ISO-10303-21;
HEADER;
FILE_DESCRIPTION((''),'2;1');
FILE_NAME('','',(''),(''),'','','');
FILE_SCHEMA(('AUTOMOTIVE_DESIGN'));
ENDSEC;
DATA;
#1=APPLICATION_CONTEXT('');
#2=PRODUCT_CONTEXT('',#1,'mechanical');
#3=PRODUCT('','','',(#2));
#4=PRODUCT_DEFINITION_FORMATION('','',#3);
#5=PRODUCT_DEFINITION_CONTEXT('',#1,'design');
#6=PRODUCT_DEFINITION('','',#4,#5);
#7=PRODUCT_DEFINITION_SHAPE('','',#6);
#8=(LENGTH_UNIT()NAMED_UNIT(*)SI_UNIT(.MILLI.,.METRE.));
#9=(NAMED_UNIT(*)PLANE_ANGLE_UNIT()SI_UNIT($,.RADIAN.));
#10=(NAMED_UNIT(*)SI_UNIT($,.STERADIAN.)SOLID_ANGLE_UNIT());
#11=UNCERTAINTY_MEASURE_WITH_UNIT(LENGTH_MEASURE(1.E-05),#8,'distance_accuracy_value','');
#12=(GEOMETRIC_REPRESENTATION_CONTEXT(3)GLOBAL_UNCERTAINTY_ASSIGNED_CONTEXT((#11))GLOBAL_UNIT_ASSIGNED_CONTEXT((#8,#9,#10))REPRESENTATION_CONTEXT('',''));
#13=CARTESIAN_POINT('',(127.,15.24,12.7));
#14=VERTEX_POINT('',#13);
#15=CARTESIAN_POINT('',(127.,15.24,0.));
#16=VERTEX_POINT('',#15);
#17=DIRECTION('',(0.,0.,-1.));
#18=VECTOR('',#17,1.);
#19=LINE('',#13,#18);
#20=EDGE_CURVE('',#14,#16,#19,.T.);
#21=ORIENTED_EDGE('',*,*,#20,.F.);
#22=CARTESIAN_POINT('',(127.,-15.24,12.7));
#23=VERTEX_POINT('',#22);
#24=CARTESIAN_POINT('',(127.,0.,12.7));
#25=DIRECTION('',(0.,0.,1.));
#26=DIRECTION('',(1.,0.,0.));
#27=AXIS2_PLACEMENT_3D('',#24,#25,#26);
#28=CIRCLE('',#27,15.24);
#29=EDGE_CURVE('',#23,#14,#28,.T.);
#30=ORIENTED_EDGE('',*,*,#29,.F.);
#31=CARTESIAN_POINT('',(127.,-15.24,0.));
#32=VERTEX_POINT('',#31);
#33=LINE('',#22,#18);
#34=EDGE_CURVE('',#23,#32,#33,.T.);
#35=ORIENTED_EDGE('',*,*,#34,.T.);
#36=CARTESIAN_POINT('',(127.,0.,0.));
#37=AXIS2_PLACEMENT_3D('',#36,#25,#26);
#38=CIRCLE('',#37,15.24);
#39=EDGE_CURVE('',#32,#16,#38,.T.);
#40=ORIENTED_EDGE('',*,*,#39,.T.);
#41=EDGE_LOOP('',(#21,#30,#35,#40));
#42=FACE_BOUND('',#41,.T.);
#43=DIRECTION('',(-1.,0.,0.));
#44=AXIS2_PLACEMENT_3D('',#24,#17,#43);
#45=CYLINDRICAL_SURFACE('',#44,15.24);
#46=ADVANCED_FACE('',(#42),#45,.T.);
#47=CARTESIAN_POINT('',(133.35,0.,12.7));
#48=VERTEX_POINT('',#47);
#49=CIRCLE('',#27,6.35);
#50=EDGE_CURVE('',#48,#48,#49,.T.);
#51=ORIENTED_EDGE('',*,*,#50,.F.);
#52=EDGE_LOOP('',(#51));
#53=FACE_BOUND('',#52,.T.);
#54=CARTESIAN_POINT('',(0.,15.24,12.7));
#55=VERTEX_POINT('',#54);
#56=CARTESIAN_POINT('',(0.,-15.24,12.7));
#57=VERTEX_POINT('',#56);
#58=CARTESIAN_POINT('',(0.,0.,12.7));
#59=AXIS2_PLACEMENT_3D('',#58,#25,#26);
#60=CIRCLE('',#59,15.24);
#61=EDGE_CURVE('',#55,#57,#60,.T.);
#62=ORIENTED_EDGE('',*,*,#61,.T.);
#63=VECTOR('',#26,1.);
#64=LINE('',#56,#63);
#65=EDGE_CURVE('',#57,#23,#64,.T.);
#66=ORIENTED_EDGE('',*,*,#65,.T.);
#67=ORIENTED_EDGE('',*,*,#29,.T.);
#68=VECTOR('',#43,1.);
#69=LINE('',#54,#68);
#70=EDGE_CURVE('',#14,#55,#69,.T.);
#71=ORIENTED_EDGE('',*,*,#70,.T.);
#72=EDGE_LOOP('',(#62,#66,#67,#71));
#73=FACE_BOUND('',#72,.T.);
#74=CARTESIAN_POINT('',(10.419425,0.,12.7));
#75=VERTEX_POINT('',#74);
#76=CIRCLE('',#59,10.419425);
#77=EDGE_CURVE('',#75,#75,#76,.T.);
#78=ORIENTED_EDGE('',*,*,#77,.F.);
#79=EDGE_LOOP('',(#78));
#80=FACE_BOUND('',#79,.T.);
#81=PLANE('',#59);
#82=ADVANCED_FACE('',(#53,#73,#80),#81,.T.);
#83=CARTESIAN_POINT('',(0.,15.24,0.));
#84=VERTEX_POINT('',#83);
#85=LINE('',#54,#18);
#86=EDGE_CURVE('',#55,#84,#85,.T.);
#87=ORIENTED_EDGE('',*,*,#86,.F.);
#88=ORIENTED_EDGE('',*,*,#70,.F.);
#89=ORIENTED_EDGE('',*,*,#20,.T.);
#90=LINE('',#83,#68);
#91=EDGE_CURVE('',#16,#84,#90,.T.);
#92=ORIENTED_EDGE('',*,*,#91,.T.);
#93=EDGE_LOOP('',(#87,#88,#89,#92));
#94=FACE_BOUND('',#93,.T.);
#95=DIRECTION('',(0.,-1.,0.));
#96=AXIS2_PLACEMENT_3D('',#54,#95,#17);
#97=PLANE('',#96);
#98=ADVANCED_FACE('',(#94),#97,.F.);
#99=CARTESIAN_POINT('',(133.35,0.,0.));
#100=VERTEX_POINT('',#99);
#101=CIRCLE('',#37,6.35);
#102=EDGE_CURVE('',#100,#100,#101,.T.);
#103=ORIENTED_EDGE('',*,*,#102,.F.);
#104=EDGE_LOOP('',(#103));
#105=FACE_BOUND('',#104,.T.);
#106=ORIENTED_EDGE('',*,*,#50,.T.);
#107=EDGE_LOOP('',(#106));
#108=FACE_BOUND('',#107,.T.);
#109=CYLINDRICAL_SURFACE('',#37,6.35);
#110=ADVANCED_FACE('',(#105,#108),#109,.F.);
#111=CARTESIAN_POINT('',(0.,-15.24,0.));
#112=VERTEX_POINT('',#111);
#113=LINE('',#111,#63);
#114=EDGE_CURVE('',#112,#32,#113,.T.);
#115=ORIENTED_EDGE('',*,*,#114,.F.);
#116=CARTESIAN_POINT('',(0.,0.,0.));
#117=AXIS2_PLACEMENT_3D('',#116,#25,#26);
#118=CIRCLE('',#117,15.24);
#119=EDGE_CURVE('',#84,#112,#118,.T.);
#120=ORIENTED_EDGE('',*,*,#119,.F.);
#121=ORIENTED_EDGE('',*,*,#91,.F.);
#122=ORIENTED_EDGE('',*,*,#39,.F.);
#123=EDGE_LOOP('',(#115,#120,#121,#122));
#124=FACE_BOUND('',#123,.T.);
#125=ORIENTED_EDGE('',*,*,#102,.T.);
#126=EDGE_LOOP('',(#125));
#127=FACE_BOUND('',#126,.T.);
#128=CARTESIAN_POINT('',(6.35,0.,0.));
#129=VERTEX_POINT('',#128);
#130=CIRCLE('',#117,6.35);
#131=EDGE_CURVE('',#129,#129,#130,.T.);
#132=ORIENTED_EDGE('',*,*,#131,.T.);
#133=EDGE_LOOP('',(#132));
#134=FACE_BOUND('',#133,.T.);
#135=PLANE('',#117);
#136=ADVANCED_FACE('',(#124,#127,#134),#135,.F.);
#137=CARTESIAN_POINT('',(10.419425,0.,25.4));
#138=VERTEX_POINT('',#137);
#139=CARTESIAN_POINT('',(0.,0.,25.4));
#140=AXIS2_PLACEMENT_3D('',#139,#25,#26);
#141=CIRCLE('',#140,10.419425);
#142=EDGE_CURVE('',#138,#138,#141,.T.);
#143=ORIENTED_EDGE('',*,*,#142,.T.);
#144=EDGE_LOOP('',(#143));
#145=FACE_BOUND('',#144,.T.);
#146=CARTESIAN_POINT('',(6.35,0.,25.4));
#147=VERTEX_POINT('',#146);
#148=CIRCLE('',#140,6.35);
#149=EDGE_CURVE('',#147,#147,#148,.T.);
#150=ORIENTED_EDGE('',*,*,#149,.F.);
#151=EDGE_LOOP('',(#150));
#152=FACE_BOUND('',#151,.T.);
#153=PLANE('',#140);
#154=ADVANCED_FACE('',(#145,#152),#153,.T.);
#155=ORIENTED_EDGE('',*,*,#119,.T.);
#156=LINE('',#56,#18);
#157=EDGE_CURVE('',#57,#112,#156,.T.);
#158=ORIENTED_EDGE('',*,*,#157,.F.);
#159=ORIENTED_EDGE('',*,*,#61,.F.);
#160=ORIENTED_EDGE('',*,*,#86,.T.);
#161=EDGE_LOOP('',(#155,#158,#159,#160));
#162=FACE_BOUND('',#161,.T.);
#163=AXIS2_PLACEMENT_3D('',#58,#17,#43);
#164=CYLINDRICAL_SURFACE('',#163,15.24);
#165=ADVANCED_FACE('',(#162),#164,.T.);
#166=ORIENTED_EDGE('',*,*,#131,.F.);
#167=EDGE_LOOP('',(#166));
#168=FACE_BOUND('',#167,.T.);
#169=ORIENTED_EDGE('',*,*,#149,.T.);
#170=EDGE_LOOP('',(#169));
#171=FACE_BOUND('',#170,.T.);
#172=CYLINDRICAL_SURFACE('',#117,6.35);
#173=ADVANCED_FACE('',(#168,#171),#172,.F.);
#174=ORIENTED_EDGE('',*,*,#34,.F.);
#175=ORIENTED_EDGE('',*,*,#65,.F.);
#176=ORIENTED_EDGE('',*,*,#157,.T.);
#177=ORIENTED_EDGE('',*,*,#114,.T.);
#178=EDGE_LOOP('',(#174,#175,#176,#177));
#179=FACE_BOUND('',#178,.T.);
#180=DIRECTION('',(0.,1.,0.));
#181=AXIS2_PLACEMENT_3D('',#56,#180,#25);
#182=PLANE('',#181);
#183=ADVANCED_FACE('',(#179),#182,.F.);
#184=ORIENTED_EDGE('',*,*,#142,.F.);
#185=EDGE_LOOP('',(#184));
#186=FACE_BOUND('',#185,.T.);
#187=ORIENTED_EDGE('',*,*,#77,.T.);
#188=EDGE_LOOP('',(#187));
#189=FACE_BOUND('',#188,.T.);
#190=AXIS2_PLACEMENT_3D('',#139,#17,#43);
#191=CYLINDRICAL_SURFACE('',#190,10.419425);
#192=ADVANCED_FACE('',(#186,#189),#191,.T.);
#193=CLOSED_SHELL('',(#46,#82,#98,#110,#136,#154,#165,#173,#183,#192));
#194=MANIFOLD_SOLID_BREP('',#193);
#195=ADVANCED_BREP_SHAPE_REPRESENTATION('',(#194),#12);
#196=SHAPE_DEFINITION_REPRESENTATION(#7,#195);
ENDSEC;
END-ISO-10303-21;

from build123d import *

# Parameters (mm, degrees)
BOSS_EXTRUDE2_DEPTH     = 12.7
SKETCH4_R               = 10.419425035
BOSS_EXTRUDE3_DEPTH     = 12.7
CUT_EXTRUDE1_DEPTH      = 144.616730223
CUT_EXTRUDE1_DEPTH_BACK = 144.616730223
SKETCH3_R               = 6.35


with BuildPart() as part:
    # Sketch2 → Boss-Extrude2 (new body)
    with BuildSketch(Plane.XY):
        with BuildLine():
            Line((0, 15.24), (127, 15.24))
            ThreePointArc((127, 15.24), (142.24, 0), (127, -15.24))
            Line((127, -15.24), (0, -15.24))
            ThreePointArc((0, -15.24), (-15.24, 0), (0, 15.24))
        make_face()
    extrude(amount=BOSS_EXTRUDE2_DEPTH)

    # Sketch4 → Boss-Extrude3 (add)
    with BuildSketch(Plane.XY.offset(12.7)):
        Circle(SKETCH4_R)
    extrude(amount=BOSS_EXTRUDE3_DEPTH)

    # Sketch3 → Cut-Extrude1 (cut, two sides: drawn at the far end of the back side and taken through both)
    with BuildSketch(Plane.XY.offset(12.7).offset(-CUT_EXTRUDE1_DEPTH_BACK)):
        Circle(SKETCH3_R)
        with Locations((127, 0)):
            Circle(SKETCH3_R)
    extrude(amount=CUT_EXTRUDE1_DEPTH + CUT_EXTRUDE1_DEPTH_BACK, mode=Mode.SUBTRACT)


solid = part.part
